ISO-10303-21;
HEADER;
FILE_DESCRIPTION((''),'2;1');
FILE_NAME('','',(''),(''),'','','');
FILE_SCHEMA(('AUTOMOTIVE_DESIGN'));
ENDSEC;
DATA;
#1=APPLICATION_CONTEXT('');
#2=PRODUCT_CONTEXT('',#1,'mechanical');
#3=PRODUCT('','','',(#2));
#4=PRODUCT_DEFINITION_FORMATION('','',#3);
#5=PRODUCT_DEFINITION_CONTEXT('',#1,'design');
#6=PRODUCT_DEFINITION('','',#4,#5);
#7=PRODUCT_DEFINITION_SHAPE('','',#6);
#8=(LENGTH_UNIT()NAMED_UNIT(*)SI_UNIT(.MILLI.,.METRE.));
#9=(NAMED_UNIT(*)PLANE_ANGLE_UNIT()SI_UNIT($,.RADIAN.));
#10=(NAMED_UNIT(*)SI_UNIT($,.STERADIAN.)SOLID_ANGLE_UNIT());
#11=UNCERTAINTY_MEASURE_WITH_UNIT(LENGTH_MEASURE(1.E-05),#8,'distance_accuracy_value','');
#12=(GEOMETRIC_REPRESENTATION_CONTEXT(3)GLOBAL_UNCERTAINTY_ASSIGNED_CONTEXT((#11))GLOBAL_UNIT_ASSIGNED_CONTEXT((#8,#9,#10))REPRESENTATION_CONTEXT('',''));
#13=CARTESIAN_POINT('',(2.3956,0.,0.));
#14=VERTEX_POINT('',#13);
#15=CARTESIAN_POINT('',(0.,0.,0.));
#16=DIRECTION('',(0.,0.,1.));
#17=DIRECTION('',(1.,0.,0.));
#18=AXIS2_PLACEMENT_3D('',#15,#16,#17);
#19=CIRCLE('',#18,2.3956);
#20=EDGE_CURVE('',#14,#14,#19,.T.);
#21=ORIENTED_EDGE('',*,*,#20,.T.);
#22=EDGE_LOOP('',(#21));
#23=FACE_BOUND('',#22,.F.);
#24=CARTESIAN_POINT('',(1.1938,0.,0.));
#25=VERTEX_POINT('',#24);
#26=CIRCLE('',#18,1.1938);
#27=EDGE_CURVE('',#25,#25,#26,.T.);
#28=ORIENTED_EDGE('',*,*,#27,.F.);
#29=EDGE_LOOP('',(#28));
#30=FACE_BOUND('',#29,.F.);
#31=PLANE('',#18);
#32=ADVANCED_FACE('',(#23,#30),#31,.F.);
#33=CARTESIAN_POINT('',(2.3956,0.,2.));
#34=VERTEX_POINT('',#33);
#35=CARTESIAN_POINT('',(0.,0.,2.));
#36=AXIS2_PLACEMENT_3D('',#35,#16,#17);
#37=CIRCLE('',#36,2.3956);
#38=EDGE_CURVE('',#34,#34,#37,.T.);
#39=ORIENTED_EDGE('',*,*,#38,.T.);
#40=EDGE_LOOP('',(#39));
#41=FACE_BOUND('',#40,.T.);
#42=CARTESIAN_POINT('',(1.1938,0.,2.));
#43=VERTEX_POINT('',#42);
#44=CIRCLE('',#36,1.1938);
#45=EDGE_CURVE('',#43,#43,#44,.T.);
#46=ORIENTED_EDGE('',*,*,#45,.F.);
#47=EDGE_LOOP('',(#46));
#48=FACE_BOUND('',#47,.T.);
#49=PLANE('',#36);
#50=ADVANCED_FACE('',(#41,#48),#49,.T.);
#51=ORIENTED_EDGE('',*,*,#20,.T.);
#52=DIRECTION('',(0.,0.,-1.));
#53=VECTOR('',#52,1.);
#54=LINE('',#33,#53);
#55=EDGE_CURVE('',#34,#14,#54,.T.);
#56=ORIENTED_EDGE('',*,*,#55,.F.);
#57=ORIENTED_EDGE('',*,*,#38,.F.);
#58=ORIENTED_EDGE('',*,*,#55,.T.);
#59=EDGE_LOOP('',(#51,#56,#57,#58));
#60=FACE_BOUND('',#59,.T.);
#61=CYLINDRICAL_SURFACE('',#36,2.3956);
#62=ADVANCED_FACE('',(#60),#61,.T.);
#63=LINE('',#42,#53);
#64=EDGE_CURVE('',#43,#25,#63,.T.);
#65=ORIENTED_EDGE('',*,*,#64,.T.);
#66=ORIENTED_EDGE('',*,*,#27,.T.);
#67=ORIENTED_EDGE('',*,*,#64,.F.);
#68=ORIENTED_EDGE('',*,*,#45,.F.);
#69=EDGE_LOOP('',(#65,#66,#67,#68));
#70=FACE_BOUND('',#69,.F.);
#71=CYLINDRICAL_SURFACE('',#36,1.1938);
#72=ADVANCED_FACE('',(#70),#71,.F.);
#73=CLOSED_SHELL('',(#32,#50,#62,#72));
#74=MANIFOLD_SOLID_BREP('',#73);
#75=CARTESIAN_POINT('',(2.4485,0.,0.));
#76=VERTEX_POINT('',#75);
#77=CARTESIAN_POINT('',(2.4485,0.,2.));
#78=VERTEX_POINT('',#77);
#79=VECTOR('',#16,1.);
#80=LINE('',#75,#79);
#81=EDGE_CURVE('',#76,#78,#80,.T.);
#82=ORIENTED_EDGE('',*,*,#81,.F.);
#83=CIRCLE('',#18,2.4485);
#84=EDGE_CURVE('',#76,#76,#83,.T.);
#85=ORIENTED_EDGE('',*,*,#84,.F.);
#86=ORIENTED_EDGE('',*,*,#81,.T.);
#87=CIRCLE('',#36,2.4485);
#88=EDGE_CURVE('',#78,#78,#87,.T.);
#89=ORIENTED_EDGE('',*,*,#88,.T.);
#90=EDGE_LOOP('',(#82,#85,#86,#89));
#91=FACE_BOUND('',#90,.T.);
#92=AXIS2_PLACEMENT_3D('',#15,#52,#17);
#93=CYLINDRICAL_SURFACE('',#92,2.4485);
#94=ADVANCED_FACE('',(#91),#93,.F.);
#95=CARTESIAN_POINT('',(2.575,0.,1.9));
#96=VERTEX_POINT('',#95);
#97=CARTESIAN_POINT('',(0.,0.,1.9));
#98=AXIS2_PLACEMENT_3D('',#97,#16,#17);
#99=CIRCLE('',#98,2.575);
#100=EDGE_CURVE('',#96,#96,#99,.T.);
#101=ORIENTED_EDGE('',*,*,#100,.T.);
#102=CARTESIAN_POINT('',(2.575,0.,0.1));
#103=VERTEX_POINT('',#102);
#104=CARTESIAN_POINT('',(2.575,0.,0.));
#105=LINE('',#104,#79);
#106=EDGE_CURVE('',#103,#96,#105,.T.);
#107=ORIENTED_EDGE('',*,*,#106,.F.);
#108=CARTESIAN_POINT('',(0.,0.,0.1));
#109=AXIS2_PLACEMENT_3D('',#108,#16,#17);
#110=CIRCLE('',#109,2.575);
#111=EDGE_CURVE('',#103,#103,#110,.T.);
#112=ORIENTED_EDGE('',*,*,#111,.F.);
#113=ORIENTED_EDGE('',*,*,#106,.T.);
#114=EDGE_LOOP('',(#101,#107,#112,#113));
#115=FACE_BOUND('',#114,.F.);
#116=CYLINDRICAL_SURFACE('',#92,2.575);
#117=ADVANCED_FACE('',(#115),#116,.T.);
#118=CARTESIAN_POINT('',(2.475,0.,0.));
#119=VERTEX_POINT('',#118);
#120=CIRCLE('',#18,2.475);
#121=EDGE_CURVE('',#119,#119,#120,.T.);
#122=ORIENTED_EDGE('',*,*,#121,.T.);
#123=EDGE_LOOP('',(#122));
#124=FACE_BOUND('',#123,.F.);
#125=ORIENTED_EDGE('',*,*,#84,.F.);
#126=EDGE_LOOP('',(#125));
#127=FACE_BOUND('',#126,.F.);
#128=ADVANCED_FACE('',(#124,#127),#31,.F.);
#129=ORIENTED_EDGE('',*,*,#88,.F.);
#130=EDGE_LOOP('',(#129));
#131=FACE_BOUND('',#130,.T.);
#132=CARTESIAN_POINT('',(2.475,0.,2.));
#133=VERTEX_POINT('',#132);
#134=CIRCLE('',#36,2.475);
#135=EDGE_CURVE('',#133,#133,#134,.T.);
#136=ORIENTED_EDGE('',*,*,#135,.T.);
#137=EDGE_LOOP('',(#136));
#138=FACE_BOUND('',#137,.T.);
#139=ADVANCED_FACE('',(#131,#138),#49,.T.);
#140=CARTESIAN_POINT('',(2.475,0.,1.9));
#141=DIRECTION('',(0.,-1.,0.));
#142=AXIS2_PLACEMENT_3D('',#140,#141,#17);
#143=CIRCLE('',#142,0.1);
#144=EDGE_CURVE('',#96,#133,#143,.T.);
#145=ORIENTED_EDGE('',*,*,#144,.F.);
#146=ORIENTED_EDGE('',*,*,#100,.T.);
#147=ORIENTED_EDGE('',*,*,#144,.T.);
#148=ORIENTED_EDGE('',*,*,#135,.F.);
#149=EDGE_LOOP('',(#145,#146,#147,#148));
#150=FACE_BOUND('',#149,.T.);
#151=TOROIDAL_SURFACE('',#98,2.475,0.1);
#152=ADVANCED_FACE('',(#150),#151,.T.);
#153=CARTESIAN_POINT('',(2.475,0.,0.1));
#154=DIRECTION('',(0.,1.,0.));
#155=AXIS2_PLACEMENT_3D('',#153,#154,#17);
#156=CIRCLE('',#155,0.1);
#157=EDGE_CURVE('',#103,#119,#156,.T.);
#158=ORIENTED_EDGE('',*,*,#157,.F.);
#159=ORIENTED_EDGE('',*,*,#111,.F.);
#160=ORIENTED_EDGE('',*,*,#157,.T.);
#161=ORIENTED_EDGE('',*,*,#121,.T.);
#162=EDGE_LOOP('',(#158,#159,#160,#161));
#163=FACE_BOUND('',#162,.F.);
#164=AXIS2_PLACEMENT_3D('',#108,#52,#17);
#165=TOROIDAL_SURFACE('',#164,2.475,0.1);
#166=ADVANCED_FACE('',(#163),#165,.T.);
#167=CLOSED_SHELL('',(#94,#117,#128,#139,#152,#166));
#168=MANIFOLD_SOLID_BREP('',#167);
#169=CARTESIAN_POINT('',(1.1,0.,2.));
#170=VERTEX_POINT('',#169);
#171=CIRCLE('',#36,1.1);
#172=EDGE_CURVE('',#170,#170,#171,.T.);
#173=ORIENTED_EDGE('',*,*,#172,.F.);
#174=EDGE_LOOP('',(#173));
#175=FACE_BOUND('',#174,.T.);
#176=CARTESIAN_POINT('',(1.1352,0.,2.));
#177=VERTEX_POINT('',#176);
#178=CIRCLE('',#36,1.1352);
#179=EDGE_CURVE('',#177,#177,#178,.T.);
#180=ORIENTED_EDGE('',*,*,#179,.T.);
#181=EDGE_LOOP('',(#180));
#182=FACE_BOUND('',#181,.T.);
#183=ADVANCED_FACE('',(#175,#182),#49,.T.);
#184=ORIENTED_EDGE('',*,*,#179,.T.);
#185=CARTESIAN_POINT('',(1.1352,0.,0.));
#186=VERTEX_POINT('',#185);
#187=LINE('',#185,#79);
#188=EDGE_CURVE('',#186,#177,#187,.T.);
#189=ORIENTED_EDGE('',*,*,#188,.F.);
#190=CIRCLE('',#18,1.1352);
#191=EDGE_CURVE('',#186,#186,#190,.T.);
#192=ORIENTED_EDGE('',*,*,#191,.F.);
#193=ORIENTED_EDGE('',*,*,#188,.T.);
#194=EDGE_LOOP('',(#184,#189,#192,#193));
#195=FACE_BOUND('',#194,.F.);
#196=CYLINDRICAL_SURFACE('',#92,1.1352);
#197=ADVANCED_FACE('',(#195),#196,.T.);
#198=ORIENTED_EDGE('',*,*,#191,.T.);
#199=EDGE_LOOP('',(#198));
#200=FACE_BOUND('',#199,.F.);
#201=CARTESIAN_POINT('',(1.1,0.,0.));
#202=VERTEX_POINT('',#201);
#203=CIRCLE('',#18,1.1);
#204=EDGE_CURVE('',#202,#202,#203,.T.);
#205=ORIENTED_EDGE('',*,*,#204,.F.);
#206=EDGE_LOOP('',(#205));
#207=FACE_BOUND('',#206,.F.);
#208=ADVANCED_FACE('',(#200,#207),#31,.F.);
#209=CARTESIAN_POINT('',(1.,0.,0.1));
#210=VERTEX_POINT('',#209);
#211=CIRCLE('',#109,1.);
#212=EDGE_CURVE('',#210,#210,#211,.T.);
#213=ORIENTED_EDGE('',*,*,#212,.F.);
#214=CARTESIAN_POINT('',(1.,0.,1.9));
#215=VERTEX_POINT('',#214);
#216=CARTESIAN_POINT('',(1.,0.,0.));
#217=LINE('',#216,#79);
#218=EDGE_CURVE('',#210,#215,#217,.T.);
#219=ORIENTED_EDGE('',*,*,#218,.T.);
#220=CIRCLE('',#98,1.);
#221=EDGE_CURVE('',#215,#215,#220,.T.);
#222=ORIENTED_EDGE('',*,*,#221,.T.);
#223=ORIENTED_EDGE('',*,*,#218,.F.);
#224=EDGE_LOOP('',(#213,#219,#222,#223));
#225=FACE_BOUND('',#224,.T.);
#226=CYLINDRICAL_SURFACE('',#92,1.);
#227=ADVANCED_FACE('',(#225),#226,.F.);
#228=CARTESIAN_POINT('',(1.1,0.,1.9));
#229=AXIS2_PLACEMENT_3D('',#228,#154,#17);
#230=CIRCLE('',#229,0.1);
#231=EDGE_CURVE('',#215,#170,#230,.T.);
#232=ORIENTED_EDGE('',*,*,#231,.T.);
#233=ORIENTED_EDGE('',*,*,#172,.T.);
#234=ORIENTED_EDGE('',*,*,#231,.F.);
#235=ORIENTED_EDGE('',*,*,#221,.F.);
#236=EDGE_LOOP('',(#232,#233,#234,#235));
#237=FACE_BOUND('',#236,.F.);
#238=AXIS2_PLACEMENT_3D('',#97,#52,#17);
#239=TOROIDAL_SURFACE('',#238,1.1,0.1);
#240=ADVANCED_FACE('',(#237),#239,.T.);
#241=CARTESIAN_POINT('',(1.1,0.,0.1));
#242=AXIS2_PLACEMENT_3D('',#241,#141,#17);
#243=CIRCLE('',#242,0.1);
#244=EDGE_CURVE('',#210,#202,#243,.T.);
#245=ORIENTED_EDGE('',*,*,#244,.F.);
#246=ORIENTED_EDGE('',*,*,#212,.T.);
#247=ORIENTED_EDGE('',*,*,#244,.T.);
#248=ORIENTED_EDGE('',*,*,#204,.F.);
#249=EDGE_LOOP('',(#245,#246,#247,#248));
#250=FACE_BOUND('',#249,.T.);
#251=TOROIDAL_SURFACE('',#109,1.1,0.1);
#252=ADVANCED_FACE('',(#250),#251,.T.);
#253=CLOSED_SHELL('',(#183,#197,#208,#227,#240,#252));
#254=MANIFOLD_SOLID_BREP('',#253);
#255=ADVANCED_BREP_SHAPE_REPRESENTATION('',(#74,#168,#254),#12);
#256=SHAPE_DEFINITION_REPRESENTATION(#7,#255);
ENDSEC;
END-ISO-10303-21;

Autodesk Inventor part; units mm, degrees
ref_plane "YZ Plane" through (0, 0, 0) normal (1, 0, 0) x (0, 1, 0)
ref_plane "XZ Plane" through (0, 0, 0) normal (0, 1, 0) x (-1, 0, 0)
ref_plane "XY Plane" through (0, 0, 0) normal (0, 0, 1) x (1, 0, 0)
sketch "Skizze1" plane through (0, 0, 0) normal (0, 0, 1) x (1, 0, 0)
  circle A0 centre (0, 0) radius 2.575 construction
  circle A1 centre (0, 0) radius 1.45 construction
  circle A2 centre (0, 0) radius 2.575
  circle A3 centre (0, 0) radius 2.4485
  circle A4 centre (0, 0) radius 1
  circle A5 centre (0, 0) radius 1.1352
  point P0 (0, 0)
  dimension "d0" = 2
extrude "Extrusion1" add sketch "Skizze1" along normal blind 2
sketch "Skizze2" plane through (0, 0, 2) normal (0, 0, 1) x (1, 0, 0)
  circle A0 centre (0, 0) radius 1.1938
  circle A1 centre (0, 0) radius 2.3956
extrude "Extrusion2" add sketch "Skizze2" against normal up to surface (2 mm away)
fillet "Rundung1" radius 0.1 2 edges at (-2.575, 0, 2) (-2.575, 0, 0)
fillet "Rundung2" radius 0.1 1 edges at (-1, 0, 2)
fillet "Rundung3" radius 0.1 1 edges at (-1, 0, 0)
properties part number "Ballbearing"
